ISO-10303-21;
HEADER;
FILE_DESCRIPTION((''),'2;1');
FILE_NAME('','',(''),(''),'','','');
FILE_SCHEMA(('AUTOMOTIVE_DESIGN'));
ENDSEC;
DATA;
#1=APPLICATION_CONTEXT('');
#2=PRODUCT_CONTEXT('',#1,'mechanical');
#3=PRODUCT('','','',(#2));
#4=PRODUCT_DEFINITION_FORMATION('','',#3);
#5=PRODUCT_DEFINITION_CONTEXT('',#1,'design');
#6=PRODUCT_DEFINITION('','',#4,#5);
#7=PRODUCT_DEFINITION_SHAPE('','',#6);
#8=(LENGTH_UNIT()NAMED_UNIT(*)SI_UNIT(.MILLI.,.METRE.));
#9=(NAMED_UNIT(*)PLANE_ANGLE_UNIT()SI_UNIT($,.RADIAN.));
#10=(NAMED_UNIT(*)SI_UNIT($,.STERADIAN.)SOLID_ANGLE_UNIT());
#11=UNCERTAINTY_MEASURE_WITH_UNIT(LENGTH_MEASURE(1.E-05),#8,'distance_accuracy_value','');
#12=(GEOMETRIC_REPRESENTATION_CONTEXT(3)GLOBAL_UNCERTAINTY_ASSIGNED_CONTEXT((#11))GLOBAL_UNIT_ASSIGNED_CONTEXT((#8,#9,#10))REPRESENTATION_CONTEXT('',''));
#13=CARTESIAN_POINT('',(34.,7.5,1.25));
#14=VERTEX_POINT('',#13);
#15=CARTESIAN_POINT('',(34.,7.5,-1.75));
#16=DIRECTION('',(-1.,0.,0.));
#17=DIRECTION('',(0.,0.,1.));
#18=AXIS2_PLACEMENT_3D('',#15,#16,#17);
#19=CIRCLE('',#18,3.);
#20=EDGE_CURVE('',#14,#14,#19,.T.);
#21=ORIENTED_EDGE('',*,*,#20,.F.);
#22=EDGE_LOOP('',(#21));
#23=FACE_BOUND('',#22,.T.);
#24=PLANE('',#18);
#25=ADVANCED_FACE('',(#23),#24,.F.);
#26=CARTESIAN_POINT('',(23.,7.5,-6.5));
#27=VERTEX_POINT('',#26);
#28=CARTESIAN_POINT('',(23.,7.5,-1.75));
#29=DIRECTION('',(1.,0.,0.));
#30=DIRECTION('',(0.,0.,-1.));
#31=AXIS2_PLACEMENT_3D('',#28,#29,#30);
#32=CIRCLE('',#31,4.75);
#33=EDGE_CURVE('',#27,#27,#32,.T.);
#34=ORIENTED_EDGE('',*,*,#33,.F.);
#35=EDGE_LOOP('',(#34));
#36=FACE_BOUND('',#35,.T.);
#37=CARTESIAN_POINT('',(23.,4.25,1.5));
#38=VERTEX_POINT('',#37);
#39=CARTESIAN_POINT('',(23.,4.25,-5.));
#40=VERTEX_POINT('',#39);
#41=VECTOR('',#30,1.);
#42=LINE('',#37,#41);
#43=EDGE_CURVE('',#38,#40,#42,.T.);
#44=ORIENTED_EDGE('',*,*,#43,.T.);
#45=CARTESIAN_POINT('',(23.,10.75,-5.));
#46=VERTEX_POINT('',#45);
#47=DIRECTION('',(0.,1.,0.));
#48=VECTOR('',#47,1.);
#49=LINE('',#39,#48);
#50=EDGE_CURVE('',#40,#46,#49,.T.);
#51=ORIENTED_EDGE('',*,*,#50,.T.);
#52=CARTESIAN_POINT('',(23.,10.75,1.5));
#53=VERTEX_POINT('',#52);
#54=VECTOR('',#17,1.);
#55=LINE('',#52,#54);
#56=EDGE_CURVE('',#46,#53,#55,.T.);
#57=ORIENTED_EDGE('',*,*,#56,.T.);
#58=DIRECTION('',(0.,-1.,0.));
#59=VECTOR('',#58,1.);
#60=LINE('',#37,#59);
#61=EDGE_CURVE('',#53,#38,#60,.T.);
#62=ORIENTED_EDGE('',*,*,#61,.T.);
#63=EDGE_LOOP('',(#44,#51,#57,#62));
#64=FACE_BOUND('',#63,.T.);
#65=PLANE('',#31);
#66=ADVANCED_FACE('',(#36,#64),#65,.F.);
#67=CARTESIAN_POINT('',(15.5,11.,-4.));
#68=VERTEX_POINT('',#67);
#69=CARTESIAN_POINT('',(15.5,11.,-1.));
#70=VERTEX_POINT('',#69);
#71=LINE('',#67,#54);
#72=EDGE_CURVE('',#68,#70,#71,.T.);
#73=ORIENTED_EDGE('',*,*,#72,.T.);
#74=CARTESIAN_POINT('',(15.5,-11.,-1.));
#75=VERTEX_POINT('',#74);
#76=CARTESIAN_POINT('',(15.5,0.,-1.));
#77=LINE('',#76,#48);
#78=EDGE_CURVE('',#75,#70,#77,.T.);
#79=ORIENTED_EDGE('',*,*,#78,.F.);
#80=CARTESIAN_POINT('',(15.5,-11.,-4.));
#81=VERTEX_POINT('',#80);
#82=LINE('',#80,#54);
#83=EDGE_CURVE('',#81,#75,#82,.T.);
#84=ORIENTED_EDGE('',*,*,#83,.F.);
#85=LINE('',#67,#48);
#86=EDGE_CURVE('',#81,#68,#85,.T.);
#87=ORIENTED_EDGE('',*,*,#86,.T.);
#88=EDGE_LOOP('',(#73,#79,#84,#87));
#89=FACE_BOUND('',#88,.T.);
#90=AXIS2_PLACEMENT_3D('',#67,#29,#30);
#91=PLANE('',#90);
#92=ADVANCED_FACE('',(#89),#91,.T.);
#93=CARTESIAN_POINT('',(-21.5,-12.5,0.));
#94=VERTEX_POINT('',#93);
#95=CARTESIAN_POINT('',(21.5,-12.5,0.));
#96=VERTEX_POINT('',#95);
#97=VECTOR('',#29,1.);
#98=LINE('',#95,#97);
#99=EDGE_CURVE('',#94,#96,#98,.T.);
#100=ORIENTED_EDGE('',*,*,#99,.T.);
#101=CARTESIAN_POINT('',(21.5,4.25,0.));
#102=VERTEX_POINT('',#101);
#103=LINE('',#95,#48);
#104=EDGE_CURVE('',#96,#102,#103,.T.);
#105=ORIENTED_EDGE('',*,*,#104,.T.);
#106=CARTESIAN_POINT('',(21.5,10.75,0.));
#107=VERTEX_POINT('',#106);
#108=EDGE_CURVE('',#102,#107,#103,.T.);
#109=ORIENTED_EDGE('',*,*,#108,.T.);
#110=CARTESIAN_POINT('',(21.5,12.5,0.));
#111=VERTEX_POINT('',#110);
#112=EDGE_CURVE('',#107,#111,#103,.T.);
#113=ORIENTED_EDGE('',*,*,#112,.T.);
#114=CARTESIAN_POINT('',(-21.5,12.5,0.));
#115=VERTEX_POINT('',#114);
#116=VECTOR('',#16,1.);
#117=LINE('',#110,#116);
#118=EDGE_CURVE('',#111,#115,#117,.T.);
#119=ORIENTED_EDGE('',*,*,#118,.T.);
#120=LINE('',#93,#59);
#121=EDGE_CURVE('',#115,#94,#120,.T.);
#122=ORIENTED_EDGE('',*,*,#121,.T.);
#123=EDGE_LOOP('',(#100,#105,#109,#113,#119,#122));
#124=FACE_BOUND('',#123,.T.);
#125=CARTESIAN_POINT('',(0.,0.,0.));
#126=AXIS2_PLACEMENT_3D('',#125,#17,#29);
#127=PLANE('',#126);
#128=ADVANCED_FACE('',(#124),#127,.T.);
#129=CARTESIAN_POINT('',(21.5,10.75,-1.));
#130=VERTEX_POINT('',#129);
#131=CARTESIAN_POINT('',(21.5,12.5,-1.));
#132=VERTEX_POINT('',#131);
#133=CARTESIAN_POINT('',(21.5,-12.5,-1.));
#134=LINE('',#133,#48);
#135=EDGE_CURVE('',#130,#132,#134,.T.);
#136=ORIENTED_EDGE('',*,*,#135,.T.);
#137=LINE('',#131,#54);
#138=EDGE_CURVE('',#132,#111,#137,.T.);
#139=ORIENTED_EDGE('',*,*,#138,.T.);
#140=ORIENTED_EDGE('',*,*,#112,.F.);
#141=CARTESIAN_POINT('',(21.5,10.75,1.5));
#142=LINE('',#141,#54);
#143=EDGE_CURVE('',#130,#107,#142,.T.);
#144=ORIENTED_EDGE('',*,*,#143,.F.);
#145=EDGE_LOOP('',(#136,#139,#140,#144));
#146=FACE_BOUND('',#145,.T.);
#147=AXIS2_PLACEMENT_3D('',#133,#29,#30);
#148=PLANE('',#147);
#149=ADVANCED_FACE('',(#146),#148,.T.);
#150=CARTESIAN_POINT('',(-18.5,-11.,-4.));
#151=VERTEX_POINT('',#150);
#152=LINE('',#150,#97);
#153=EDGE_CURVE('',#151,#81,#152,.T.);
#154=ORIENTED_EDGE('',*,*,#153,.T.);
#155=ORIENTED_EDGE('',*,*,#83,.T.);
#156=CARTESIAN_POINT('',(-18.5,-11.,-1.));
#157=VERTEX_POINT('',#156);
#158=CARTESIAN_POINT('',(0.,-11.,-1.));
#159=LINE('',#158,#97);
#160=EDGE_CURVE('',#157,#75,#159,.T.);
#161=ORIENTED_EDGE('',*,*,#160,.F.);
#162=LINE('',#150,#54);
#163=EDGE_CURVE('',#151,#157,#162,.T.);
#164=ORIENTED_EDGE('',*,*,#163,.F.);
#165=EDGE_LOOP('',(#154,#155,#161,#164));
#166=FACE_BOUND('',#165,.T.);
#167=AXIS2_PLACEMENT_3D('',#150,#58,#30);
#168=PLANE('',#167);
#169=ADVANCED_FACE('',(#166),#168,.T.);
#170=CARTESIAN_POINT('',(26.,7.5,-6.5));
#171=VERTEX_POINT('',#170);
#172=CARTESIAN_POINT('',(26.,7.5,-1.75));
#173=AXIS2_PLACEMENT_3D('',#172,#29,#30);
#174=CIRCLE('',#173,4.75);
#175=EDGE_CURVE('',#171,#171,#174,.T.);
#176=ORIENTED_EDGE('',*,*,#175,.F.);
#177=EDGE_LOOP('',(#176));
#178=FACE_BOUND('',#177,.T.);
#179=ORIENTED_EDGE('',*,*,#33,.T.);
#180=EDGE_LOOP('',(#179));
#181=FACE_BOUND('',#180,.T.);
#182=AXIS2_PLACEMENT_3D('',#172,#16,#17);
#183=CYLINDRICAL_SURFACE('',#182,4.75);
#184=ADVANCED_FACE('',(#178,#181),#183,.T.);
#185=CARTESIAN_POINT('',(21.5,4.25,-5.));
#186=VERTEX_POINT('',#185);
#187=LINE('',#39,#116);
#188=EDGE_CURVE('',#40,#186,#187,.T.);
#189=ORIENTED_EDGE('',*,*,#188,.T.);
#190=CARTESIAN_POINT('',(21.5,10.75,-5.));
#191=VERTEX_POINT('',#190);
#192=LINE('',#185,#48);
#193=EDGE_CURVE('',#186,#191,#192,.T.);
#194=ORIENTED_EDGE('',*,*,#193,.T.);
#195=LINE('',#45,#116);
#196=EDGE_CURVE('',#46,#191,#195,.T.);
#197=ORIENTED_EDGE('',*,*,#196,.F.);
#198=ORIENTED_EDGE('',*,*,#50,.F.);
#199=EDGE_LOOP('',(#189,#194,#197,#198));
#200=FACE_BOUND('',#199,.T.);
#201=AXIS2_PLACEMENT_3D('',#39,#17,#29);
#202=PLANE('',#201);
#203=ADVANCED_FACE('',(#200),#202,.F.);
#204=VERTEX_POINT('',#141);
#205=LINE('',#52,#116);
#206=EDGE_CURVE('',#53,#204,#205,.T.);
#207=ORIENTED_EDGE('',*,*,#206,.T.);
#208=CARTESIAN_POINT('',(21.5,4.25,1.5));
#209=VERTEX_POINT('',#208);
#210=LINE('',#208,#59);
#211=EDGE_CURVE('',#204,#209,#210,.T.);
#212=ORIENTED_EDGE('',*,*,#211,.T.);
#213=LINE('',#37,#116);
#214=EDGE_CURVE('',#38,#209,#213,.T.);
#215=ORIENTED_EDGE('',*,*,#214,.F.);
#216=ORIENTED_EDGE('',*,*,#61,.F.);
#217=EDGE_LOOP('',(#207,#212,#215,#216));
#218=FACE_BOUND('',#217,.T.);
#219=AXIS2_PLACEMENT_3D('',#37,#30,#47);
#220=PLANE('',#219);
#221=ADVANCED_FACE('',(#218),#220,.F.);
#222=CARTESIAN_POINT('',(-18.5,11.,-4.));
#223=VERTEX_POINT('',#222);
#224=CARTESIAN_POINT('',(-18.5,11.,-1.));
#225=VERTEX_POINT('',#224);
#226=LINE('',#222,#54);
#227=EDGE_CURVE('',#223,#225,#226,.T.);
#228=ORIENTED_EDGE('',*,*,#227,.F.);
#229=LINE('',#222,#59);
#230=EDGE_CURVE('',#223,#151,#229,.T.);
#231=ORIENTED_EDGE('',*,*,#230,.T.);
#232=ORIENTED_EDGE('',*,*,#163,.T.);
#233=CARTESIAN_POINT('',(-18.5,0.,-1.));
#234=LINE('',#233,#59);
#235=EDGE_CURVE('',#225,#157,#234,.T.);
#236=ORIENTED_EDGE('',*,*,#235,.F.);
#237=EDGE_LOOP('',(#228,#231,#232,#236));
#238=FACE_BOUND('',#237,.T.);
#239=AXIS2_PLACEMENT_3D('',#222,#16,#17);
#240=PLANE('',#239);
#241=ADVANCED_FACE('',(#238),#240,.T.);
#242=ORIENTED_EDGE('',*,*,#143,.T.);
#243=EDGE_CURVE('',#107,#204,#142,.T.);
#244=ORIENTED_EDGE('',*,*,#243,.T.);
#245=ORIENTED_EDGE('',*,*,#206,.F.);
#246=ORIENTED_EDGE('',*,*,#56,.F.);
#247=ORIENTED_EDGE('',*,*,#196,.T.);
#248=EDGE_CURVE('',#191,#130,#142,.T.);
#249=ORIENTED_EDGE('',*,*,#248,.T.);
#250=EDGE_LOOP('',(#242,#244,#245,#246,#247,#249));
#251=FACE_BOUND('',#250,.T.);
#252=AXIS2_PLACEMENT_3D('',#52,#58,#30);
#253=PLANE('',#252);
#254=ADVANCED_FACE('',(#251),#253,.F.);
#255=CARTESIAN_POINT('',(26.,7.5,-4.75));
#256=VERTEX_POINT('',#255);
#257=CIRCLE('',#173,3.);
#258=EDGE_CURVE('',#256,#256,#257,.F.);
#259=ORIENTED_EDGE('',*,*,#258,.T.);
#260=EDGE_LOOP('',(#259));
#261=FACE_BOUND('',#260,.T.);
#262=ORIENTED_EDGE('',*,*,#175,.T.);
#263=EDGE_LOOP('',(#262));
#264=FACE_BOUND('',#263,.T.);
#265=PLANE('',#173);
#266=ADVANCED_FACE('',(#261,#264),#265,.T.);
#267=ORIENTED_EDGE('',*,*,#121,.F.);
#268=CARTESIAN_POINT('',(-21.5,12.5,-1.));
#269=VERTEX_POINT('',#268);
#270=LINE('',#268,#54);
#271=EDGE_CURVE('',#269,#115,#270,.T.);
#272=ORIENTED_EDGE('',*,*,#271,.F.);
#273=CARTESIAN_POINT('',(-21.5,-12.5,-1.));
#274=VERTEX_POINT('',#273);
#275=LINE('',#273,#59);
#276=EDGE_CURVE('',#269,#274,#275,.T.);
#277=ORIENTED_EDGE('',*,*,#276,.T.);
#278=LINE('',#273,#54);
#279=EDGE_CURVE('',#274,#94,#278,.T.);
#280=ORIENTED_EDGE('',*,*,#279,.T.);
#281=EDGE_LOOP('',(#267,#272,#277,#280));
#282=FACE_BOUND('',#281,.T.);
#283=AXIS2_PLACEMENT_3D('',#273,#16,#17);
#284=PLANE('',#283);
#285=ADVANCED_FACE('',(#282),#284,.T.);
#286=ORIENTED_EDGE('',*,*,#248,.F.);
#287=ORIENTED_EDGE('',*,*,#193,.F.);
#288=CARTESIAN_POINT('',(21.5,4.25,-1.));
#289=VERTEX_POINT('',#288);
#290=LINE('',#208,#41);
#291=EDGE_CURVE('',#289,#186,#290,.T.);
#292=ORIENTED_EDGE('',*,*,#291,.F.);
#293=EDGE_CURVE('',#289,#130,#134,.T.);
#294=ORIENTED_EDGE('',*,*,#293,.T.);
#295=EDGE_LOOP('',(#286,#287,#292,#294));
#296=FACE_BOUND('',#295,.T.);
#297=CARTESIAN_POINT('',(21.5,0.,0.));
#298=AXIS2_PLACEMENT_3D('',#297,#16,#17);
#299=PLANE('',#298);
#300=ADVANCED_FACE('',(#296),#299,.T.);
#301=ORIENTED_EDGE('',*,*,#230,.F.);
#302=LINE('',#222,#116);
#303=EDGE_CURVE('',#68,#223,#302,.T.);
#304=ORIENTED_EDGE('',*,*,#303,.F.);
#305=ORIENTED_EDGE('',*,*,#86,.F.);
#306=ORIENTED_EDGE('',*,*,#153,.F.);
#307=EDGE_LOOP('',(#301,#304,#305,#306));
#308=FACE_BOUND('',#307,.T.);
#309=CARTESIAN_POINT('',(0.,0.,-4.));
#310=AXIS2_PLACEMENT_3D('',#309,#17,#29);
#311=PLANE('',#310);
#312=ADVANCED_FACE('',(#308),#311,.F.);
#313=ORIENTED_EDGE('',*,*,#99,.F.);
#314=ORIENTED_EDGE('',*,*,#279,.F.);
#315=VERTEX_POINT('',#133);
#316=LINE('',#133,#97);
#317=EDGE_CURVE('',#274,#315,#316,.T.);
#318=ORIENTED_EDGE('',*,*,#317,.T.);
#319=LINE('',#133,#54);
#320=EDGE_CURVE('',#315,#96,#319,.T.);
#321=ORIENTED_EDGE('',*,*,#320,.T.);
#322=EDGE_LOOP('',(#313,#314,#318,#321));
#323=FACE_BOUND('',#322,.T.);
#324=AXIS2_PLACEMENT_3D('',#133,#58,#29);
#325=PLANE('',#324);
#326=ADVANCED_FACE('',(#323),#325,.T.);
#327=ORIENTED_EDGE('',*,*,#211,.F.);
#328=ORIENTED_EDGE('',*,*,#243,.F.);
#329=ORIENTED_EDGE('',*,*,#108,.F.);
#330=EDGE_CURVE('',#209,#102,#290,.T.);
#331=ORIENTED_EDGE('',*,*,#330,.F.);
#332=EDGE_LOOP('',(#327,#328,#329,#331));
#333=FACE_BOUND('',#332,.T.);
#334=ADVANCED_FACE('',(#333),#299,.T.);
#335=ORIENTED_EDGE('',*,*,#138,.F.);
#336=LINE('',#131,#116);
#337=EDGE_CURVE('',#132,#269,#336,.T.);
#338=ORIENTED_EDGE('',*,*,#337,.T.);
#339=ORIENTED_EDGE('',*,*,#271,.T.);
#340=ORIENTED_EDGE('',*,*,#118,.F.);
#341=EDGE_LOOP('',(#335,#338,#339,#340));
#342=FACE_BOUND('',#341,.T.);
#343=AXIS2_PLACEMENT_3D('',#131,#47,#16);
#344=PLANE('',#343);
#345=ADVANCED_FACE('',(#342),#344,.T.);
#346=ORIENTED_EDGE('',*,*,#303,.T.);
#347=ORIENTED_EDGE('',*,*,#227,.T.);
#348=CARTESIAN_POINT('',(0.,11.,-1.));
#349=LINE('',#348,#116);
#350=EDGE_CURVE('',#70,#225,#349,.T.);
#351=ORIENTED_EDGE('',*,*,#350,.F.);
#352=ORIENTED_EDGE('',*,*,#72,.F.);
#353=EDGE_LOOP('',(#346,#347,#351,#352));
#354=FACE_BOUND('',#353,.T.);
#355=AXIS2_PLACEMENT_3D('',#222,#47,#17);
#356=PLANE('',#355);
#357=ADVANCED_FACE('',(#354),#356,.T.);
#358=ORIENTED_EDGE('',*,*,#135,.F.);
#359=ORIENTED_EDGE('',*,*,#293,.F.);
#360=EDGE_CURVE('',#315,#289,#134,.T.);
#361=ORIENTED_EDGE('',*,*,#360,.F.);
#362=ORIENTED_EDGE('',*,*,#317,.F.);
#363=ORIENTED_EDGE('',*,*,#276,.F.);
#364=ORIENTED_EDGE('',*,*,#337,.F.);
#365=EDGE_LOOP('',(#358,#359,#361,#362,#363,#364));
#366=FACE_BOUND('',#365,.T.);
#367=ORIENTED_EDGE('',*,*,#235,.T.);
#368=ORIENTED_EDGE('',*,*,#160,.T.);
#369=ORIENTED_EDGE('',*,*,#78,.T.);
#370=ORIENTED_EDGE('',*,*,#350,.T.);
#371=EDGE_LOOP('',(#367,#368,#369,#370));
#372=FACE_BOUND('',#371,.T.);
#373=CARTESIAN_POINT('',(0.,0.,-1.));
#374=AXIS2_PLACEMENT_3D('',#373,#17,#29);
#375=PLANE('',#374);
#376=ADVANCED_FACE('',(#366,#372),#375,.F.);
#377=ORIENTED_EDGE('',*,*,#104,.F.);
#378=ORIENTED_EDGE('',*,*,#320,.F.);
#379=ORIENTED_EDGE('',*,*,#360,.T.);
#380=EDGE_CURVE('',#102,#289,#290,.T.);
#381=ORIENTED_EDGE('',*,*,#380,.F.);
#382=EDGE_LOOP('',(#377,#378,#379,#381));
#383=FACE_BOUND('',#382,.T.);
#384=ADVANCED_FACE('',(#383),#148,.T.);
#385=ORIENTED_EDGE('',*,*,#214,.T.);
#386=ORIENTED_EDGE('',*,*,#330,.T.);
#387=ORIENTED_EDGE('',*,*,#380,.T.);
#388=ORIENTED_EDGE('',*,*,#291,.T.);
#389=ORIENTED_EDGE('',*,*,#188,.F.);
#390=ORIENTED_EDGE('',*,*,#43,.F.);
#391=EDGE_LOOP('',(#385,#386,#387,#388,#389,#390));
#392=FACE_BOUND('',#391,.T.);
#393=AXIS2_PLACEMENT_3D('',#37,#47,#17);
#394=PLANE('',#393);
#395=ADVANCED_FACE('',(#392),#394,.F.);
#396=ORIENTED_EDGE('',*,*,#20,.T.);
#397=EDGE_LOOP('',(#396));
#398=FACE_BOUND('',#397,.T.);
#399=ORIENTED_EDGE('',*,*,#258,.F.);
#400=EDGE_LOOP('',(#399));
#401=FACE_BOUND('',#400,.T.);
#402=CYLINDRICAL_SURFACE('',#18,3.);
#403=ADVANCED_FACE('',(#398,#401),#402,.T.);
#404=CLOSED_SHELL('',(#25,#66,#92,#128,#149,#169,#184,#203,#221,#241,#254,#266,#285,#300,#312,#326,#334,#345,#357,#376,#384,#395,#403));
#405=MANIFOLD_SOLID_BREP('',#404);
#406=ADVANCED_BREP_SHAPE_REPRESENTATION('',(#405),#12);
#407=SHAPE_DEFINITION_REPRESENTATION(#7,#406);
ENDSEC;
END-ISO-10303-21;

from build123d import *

# Parameters (mm, degrees)
SKETCH_1_W      = 43
SKETCH_1_H      = 25
EXTRUDE_1_DEPTH = 1
SKETCH_3_W      = 34
SKETCH_3_H      = 22
EXTRUDE_2_DEPTH = 4
SKETCH_4_W      = 6.5
SKETCH_4_H      = 6.5
EXTRUDE_3_DEPTH = 1.5
SKETCH_5_R      = 3
EXTRUDE_4_DEPTH = 12.5
SKETCH_6_R      = 4.75
EXTRUDE_5_DEPTH = 3


with BuildPart() as part:
    # 草图1 → 凸台-拉伸1 (new body)
    with BuildSketch(Plane.XY):
        Rectangle(SKETCH_1_W, SKETCH_1_H)
    extrude(amount=-EXTRUDE_1_DEPTH)

    # 草图3 → 凸台-拉伸2 (add)
    with BuildSketch(Plane.XY):
        with Locations((-1.5, 0)):
            Rectangle(SKETCH_3_W, SKETCH_3_H)
    extrude(amount=-EXTRUDE_2_DEPTH)

    # 草图4 → 凸台-拉伸3 (add)
    with BuildSketch(Plane(origin=(21.5, 0, 0), x_dir=(0, 0, -1), z_dir=(1, 0, 0))):
        with Locations((1.75, 7.5)):
            Rectangle(SKETCH_4_W, SKETCH_4_H)
    extrude(amount=EXTRUDE_3_DEPTH)

    # 草图5 → 凸台-拉伸4 (add)
    with BuildSketch(Plane.ZY.offset(-21.5)):
        with Locations((-1.75, 7.5)):
            Circle(SKETCH_5_R)
    extrude(amount=-EXTRUDE_4_DEPTH)

    # 草图6 → 凸台-拉伸5 (add)
    with BuildSketch(Plane(origin=(23, 0, 0), x_dir=(0, 0, -1), z_dir=(1, 0, 0))):
        with Locations((1.75, 7.5)):
            Circle(SKETCH_6_R)
    extrude(amount=EXTRUDE_5_DEPTH)


solid = part.part
